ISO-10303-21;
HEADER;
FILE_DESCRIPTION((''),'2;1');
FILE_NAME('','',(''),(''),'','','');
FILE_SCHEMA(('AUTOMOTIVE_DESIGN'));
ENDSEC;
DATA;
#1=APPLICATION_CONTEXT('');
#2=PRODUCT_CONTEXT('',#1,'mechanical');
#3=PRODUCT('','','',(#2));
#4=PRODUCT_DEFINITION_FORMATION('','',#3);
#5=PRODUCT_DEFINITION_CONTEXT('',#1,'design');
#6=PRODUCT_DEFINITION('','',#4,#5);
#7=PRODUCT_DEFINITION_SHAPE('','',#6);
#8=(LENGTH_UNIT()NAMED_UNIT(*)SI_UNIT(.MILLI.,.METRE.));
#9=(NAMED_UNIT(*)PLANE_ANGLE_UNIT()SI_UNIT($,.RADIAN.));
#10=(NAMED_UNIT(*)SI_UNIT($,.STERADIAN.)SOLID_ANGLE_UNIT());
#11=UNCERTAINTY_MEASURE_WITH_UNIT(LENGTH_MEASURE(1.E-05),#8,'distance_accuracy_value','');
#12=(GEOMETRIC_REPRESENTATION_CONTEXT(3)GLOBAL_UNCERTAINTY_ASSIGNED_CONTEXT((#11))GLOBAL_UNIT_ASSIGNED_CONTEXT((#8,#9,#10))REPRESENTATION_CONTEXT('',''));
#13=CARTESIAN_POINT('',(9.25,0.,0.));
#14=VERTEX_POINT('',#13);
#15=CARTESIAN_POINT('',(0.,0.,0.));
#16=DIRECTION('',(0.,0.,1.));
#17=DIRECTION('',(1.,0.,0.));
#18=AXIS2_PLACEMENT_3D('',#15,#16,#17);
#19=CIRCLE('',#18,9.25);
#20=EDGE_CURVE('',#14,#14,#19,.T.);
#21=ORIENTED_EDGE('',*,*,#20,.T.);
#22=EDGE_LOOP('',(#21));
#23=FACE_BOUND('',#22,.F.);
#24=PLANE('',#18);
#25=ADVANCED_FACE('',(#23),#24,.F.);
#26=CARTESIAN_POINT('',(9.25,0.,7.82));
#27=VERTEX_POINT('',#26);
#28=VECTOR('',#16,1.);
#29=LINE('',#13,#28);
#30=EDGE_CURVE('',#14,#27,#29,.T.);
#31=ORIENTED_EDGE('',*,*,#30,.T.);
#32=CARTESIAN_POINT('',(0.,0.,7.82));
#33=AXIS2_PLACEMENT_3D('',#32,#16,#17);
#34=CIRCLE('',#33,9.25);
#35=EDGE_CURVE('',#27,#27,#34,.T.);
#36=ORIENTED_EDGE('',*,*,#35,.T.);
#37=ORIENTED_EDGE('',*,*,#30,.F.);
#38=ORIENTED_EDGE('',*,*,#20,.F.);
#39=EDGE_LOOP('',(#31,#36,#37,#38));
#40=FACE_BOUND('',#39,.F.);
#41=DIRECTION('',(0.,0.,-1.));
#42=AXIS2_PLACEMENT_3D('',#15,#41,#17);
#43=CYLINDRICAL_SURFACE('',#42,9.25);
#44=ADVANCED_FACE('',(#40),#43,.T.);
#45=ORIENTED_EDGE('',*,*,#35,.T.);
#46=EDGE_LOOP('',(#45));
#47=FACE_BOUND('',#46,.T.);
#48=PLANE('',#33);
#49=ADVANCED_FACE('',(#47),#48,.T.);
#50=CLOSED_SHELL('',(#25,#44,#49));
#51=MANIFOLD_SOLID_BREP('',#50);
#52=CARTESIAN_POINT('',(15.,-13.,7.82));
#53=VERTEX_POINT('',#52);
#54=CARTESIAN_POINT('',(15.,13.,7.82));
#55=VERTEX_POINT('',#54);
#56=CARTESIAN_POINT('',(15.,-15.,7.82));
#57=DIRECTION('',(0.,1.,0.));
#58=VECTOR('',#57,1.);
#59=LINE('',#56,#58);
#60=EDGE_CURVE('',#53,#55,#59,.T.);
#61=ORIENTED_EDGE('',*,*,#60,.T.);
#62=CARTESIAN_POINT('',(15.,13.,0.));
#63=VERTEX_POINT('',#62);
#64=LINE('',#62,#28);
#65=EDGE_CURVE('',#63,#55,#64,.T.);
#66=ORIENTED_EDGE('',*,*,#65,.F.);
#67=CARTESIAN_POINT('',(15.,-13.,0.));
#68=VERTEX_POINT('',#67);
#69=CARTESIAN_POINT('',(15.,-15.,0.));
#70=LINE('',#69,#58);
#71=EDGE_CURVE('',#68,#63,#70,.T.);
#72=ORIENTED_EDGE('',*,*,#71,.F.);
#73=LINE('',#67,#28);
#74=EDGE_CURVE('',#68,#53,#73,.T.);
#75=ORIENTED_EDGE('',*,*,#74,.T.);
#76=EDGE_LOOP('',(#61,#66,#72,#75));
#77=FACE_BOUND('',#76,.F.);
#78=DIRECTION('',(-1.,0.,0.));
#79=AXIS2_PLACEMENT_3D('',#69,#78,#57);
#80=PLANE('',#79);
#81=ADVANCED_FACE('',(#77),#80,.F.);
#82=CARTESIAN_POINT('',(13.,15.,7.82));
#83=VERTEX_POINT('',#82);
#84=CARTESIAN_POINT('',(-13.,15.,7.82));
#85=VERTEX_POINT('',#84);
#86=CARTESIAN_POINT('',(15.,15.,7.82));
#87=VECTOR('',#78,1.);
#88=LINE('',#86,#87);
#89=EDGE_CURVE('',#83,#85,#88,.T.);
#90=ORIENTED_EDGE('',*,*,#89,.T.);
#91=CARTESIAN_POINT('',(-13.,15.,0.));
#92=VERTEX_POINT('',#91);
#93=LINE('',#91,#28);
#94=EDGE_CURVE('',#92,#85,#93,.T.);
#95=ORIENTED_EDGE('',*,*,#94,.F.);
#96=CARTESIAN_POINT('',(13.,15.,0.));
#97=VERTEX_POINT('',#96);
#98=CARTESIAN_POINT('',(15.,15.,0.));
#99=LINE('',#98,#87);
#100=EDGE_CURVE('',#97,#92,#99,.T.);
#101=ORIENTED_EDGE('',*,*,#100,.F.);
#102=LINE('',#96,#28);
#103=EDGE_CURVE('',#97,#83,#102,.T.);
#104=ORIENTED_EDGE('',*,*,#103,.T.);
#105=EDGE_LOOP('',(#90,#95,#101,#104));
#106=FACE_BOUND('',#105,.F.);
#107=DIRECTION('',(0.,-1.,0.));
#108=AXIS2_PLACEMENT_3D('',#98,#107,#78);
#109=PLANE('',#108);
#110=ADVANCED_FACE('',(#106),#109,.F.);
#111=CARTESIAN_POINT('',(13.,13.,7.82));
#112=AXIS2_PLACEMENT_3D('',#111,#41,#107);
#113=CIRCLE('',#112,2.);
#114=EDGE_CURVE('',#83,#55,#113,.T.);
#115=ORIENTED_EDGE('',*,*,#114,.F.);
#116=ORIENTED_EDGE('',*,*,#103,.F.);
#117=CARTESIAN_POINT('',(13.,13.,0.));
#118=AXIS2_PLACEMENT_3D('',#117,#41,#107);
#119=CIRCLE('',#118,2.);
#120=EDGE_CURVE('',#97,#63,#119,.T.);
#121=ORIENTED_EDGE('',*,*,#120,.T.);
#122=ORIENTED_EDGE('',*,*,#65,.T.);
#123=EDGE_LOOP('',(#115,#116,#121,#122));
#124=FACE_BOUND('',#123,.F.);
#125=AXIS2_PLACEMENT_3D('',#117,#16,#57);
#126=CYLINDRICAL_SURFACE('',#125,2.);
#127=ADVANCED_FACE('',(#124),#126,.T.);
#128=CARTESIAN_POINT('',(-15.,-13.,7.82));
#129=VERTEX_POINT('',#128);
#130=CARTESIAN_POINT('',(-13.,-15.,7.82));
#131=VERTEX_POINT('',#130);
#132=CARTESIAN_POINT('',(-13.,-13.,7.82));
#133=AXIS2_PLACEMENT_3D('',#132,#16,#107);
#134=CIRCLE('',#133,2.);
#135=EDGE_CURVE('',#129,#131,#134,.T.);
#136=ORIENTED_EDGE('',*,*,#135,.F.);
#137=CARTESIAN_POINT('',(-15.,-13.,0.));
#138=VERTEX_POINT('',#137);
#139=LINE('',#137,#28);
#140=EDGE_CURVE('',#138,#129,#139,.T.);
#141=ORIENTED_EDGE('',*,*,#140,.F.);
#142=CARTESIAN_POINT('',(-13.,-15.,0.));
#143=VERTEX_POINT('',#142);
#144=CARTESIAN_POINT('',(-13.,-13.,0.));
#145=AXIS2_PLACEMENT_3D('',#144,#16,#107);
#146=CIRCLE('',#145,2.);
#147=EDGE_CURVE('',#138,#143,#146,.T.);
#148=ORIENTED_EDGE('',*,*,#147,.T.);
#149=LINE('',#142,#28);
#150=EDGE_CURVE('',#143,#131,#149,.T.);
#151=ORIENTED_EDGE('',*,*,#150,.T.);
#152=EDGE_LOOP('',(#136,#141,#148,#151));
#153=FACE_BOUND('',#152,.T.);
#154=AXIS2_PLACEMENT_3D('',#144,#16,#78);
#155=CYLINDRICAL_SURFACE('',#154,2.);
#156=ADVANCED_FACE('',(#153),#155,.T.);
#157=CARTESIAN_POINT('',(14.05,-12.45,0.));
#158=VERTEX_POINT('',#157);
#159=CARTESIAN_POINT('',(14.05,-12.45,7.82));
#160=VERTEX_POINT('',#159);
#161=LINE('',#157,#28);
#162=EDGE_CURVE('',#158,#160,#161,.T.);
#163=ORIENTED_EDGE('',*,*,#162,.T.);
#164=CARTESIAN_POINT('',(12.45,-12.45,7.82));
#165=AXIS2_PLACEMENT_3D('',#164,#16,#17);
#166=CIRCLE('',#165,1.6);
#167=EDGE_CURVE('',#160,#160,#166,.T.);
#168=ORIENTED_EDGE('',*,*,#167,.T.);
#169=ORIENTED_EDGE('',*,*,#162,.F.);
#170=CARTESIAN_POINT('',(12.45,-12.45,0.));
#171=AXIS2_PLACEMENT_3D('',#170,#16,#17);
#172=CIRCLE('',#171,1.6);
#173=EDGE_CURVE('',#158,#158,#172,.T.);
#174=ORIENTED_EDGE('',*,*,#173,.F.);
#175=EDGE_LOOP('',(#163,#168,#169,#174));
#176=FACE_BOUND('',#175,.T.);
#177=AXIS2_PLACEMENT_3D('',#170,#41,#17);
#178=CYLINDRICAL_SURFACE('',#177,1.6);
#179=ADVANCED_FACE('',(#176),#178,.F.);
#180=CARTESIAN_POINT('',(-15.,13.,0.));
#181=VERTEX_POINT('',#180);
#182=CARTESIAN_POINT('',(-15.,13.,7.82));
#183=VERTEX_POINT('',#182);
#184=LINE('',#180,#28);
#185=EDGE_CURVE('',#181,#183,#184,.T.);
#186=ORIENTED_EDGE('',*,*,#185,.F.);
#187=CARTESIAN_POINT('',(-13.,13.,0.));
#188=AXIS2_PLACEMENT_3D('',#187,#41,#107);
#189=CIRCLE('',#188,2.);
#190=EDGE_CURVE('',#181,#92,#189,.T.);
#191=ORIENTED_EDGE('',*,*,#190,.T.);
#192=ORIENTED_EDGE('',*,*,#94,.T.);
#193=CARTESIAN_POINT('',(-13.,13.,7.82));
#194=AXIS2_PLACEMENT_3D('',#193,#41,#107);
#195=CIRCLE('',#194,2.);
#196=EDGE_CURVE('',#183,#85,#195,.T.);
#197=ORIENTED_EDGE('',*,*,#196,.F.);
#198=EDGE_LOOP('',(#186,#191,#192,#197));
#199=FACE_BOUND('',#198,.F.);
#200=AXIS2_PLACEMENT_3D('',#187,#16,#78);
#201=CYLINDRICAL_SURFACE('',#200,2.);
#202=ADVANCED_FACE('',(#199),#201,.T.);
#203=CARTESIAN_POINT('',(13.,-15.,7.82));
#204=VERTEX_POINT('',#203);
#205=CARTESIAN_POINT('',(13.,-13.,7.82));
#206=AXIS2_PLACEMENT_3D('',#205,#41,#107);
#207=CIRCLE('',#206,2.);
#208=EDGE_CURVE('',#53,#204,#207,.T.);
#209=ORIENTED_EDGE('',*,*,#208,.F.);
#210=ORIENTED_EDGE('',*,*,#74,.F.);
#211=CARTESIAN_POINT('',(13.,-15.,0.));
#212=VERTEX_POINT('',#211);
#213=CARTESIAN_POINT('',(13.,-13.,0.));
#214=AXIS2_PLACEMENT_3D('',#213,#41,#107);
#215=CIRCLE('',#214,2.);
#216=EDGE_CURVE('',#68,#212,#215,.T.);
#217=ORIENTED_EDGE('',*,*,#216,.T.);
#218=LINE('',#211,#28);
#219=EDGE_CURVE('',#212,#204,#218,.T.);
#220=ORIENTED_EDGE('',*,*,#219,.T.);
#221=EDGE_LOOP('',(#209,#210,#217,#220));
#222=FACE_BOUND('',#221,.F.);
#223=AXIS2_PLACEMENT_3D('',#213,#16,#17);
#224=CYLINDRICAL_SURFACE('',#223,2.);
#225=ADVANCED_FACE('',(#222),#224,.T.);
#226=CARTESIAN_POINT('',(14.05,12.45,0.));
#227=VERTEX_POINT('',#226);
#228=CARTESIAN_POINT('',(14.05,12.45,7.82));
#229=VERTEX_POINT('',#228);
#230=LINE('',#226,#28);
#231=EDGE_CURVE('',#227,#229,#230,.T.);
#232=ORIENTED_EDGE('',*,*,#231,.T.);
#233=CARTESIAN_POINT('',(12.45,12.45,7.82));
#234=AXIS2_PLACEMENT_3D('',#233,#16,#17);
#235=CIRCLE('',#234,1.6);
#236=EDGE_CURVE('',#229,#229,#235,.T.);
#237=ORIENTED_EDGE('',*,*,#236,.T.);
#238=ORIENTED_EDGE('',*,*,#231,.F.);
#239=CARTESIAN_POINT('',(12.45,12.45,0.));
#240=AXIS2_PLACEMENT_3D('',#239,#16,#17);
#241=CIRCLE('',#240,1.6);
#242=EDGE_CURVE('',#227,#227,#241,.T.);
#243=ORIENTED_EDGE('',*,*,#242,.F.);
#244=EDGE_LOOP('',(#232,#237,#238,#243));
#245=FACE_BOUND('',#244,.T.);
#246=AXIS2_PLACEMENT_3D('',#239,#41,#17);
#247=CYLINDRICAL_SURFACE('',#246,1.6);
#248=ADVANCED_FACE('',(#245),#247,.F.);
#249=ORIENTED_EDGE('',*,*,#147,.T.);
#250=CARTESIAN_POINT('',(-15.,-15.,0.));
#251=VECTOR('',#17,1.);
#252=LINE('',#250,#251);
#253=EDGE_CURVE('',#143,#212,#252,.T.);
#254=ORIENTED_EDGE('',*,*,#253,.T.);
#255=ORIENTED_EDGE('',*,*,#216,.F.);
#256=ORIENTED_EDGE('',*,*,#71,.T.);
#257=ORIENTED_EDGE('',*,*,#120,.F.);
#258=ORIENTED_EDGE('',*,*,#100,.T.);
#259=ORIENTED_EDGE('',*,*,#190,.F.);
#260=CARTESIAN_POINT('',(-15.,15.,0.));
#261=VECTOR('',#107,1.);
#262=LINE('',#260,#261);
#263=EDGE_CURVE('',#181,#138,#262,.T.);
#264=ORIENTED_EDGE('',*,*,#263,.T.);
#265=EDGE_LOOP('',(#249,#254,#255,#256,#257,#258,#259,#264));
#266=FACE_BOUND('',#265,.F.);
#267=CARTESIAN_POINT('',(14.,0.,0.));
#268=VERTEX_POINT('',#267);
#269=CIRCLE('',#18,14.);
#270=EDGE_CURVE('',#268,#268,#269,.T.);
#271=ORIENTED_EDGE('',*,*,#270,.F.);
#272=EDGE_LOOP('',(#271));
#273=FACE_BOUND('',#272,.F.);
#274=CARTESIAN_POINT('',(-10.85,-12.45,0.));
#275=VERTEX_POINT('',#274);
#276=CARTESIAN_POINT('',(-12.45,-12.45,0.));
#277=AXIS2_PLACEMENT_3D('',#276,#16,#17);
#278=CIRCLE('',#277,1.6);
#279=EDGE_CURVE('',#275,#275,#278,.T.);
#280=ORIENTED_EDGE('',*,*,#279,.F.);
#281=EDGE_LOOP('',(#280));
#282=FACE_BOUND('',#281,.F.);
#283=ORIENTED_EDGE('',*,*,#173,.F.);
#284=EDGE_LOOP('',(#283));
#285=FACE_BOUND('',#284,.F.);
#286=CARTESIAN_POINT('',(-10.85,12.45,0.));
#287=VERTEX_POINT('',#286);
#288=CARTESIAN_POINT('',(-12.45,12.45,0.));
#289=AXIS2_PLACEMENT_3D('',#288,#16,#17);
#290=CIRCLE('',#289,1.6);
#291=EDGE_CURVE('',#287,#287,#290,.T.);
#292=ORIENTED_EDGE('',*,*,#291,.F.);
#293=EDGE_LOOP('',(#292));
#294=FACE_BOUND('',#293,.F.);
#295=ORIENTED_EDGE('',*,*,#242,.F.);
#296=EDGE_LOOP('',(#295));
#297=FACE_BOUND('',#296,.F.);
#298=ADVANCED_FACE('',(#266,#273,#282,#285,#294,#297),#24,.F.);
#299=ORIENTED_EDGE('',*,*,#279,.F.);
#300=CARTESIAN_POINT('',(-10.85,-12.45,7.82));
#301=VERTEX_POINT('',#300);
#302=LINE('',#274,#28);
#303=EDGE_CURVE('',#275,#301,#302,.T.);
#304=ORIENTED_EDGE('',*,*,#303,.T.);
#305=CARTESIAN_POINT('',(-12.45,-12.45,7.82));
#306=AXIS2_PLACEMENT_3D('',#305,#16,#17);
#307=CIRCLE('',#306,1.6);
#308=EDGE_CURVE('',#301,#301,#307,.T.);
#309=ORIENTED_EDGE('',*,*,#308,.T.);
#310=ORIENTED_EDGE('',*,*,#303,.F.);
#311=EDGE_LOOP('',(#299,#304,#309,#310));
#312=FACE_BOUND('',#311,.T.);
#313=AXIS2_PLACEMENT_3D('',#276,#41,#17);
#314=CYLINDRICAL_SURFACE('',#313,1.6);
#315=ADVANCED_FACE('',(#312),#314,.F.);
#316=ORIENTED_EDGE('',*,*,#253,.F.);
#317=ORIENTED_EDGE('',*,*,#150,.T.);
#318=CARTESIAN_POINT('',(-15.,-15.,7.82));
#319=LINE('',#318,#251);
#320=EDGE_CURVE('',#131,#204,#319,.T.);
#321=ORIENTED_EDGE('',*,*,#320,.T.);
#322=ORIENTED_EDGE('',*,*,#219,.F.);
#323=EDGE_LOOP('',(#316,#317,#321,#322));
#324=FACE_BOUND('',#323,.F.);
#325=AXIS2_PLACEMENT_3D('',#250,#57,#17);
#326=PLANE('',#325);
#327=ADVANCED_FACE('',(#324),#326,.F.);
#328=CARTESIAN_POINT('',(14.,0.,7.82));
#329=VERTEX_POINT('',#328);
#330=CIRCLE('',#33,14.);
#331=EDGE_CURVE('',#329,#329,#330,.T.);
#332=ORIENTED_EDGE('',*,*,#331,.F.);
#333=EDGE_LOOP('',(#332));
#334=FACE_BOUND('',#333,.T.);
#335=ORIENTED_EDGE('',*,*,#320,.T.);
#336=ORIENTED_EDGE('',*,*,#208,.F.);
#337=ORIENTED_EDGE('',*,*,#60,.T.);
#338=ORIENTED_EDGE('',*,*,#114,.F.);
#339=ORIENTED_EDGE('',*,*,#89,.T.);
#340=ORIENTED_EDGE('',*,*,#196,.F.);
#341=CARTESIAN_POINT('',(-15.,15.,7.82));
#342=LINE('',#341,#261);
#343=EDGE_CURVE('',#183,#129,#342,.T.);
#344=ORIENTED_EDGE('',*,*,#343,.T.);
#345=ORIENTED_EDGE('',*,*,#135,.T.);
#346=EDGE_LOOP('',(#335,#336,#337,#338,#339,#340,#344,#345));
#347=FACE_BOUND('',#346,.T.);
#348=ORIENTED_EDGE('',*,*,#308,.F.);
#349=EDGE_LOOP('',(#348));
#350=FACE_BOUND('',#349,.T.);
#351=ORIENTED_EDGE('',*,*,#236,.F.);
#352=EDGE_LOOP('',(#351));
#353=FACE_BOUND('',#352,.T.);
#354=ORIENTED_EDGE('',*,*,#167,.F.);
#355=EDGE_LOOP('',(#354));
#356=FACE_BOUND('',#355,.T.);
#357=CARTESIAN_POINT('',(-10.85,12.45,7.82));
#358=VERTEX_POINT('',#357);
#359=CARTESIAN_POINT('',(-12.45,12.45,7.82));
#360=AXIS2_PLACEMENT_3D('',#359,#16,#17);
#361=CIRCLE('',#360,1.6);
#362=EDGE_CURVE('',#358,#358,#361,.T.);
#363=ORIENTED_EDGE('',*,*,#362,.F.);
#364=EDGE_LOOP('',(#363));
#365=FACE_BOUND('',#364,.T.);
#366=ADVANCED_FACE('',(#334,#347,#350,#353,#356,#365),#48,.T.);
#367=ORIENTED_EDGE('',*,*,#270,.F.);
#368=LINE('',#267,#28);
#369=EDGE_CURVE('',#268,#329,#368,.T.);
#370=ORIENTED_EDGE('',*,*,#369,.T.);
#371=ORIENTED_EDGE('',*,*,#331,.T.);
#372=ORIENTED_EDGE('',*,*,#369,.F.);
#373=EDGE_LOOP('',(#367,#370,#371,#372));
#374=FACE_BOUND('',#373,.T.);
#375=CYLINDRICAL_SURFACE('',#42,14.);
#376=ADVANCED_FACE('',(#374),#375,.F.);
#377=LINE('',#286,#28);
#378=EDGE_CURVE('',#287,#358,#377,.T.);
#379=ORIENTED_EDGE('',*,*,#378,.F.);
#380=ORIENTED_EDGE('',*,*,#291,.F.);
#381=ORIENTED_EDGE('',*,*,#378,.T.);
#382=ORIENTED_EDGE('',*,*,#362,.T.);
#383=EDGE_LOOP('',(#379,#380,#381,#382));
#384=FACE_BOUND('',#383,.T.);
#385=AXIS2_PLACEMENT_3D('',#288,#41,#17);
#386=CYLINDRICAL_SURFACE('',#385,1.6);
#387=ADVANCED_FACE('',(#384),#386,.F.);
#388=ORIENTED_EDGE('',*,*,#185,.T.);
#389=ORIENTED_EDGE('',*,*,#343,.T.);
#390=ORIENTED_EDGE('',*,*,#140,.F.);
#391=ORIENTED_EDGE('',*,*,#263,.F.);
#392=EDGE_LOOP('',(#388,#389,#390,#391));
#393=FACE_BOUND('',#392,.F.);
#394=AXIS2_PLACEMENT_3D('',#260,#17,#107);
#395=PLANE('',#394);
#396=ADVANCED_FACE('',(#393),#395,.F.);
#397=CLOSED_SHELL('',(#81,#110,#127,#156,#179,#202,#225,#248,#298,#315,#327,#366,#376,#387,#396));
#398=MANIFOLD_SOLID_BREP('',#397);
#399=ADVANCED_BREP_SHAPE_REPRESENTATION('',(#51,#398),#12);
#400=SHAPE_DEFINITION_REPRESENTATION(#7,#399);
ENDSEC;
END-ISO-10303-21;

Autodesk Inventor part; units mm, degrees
ref_plane "YZ Plane" through (0, 0, 0) normal (1, 0, 0) x (0, 1, 0)
ref_plane "XZ Plane" through (0, 0, 0) normal (0, 1, 0) x (-1, 0, 0)
ref_plane "XY Plane" through (0, 0, 0) normal (0, 0, 1) x (1, 0, 0)
sketch "Sketch1" plane through (0, 0, 0) normal (0, 0, 1) x (1, 0, 0)
  line L0 (-15, -15) -> (15, -15)
  line L1 (15, -15) -> (15, 15)
  line L2 (15, 15) -> (-15, 15)
  line L3 (-15, 15) -> (-15, -15)
  line L4 (-15, -15) -> (15, 15) construction
  line L5 (15, -15) -> (-15, 15) construction
  circle A0 centre (-12.45, 12.45) radius 1.6
  line L6 (0, 15) -> (0, 0) construction
  line L7 (0, 0) -> (-15, 0) construction
  circle A1 centre (12.45, 12.45) radius 1.6
  circle A2 centre (-12.45, -12.45) radius 1.6
  circle A3 centre (12.45, -12.45) radius 1.6
  circle A4 centre (0, 0) radius 14
  circle A5 centre (0, 0) radius 9.25
  dimension "d0" = 30
  dimension "d1" = 30
  dimension "d2" = 3.2
  dimension "d3" = 2.55
  dimension "d4" = 2.55
  dimension "d5" = 28
  dimension "d6" = 18.5
extrude "Extrusion1" add sketch "Sketch1" along normal blind 7.82
fillet "Fillet1" radius 2 4 edges at (15, 15, 3.91) (-15, 15, 3.91) (-15, -15, 3.91) (15, -15, 3.91)
equation "\"d4\" = d3"
properties part number "Fan"
